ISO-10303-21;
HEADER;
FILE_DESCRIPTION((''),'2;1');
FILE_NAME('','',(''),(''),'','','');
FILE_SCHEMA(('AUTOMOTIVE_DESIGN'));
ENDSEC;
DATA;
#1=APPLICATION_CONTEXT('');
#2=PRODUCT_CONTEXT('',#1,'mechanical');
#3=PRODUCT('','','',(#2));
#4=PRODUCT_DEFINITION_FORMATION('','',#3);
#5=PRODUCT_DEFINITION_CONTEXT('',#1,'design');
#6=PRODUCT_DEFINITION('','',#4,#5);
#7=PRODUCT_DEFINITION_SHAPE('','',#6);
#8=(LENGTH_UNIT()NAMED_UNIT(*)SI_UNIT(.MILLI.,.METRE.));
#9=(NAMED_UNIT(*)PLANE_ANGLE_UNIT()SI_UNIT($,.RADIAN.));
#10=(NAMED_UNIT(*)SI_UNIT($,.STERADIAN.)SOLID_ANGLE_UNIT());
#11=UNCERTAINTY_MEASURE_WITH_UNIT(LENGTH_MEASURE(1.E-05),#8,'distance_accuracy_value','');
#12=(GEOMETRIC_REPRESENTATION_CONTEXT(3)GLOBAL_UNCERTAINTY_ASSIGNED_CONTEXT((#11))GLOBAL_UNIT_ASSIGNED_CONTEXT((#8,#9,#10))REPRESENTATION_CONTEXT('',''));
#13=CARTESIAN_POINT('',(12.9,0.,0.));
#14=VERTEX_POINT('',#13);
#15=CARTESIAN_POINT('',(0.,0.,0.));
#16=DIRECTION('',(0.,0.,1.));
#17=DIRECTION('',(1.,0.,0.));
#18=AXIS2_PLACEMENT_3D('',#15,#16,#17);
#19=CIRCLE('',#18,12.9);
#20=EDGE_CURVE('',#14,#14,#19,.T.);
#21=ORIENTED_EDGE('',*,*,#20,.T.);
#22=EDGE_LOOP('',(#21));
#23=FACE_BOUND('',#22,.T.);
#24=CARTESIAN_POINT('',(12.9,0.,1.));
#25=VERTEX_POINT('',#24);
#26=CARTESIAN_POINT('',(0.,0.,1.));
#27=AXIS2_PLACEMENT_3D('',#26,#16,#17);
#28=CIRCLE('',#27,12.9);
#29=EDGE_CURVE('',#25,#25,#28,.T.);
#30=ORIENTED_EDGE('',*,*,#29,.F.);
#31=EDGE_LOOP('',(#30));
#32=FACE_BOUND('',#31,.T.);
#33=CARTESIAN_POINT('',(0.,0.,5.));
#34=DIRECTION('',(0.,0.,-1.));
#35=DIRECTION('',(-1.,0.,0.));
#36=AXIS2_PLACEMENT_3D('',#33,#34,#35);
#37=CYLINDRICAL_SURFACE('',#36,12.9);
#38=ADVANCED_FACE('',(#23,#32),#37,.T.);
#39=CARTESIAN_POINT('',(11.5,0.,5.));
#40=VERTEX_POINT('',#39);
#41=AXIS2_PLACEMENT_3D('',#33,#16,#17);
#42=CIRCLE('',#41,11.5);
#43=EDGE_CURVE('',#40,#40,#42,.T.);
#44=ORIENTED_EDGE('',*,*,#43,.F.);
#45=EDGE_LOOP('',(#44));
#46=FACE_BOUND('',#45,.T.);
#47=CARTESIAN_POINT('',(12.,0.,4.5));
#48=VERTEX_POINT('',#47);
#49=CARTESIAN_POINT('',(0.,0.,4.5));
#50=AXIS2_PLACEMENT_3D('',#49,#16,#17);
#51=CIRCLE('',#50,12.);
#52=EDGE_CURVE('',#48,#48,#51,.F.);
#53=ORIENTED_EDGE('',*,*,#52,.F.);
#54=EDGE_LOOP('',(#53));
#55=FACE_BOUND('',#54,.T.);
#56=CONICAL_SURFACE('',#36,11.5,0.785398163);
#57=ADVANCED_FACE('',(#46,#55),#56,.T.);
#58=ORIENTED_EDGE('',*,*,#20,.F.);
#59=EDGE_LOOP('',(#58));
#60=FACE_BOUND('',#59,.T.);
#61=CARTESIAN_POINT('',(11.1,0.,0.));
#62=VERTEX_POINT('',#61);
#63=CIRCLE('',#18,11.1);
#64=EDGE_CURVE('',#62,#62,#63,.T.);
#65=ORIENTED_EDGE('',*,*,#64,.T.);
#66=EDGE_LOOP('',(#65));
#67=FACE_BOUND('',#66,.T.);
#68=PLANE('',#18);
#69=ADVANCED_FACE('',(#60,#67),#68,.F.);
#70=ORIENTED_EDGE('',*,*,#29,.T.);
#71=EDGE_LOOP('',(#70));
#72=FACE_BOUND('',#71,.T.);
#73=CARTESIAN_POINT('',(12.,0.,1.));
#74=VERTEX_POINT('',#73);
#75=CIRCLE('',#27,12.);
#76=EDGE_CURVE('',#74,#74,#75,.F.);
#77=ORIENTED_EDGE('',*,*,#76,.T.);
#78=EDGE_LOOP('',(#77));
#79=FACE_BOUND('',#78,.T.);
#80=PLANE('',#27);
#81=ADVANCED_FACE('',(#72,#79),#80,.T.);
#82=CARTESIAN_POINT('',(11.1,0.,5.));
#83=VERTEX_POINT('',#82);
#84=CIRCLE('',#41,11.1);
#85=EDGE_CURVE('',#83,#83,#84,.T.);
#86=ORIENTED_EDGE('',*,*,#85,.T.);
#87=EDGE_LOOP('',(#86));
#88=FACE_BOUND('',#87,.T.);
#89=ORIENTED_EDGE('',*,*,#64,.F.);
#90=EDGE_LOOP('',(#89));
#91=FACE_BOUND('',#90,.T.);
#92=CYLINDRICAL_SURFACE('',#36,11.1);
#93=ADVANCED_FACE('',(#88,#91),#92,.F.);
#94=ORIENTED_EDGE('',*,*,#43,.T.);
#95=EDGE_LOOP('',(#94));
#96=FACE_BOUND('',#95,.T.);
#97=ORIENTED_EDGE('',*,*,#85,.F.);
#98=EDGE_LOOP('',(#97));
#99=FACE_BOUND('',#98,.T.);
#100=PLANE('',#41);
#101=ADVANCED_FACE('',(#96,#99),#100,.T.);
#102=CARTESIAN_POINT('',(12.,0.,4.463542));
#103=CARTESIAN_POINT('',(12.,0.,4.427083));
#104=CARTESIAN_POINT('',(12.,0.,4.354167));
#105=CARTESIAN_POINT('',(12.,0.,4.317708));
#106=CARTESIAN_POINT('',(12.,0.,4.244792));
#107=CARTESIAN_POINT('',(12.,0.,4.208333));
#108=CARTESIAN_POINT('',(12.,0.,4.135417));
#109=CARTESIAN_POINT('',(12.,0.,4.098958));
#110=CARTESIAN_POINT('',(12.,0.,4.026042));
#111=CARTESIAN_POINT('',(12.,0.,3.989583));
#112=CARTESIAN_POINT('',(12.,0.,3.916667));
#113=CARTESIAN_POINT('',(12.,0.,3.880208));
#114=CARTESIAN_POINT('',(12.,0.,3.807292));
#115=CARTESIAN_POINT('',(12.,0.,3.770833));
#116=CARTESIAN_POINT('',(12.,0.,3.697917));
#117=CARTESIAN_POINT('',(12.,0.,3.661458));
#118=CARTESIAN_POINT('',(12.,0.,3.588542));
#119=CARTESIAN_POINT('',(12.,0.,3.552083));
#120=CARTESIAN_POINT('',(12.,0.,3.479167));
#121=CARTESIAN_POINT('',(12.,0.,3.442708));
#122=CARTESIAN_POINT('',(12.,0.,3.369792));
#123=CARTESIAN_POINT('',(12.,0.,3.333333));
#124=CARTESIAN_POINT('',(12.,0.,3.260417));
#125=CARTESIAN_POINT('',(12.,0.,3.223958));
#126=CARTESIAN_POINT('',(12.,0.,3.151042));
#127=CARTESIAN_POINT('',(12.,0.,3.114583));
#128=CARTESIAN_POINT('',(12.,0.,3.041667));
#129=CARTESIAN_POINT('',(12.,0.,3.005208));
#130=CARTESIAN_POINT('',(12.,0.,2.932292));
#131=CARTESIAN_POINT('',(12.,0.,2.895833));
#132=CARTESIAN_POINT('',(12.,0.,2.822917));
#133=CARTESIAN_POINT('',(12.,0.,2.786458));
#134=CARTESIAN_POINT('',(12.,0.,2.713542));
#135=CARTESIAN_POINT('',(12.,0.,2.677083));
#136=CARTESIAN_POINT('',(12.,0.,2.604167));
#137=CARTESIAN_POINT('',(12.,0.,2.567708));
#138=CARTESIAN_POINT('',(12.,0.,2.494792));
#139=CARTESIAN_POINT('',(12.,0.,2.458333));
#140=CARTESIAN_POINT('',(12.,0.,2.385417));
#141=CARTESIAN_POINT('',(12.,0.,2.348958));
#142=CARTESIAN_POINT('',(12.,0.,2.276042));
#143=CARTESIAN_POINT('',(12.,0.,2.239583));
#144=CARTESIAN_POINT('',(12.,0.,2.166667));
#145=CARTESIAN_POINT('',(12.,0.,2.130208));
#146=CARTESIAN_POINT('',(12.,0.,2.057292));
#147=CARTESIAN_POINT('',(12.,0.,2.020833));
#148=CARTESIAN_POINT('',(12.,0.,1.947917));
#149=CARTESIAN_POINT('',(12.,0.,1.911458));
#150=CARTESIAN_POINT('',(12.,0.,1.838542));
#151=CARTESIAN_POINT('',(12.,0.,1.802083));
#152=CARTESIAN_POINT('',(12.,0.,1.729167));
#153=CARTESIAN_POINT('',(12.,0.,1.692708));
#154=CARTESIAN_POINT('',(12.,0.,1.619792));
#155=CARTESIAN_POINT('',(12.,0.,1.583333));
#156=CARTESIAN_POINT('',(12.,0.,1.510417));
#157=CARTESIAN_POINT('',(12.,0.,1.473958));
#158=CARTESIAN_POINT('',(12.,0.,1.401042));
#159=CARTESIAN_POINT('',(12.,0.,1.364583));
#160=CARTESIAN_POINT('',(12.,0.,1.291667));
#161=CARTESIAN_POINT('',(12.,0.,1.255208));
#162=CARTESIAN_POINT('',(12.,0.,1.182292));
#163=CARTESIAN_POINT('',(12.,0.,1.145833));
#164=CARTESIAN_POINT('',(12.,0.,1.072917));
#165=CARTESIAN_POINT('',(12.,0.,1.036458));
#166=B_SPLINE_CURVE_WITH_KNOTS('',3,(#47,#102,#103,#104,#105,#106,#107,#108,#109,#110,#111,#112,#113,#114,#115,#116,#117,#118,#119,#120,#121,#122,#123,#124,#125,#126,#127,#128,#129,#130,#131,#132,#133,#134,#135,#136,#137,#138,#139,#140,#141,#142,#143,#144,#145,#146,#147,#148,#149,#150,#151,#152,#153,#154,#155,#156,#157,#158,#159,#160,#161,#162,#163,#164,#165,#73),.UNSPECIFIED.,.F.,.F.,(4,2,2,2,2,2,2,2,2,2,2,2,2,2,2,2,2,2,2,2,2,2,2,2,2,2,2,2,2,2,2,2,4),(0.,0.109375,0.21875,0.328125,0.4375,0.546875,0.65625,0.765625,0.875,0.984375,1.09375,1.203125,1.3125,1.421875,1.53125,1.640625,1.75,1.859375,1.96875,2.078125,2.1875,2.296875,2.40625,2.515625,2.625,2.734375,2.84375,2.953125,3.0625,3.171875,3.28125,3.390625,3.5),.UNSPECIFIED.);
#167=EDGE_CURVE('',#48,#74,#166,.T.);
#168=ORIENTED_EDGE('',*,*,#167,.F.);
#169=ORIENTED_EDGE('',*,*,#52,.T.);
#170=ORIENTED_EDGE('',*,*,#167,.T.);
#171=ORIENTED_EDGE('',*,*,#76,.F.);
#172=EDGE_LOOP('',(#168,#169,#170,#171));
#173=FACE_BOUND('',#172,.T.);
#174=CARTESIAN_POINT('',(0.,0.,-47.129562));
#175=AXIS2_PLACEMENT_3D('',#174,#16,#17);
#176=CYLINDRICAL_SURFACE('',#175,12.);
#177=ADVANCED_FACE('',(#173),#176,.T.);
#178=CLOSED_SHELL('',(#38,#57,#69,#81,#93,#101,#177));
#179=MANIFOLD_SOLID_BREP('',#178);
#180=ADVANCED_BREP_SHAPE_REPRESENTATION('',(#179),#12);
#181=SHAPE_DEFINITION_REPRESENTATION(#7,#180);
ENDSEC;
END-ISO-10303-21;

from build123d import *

# Parameters (mm, degrees)
SKETCH_1_R          = 12.9
SKETCH_1_R_2        = 11.1
EXTRUDE_1_DEPTH     = 5
SKETCH_3_R          = 16.662816376
SKETCH_3_R_2        = 12
CUT_EXTRUDE_1_DEPTH = 4
CHAMFER_1_SIZE      = 0.5


with BuildPart() as part:
    # 草图1 → 凸台-拉伸1 (new body)
    with BuildSketch(Plane.XY):
        Circle(SKETCH_1_R)
        Circle(SKETCH_1_R_2, mode=Mode.SUBTRACT)
    extrude(amount=EXTRUDE_1_DEPTH)

    # 草图3 → 切除-拉伸1 (cut)
    with BuildSketch(Plane.XY.offset(5)):
        Circle(SKETCH_3_R)
        Circle(SKETCH_3_R_2, mode=Mode.SUBTRACT)
    extrude(amount=-CUT_EXTRUDE_1_DEPTH, mode=Mode.SUBTRACT)

    # 倒角1
    chamfer_1_edges = [part.edges().sort_by_distance(p)[0] for p in [
        (-12, 0, 5),
    ]]
    chamfer(chamfer_1_edges, length=CHAMFER_1_SIZE)


solid = part.part
